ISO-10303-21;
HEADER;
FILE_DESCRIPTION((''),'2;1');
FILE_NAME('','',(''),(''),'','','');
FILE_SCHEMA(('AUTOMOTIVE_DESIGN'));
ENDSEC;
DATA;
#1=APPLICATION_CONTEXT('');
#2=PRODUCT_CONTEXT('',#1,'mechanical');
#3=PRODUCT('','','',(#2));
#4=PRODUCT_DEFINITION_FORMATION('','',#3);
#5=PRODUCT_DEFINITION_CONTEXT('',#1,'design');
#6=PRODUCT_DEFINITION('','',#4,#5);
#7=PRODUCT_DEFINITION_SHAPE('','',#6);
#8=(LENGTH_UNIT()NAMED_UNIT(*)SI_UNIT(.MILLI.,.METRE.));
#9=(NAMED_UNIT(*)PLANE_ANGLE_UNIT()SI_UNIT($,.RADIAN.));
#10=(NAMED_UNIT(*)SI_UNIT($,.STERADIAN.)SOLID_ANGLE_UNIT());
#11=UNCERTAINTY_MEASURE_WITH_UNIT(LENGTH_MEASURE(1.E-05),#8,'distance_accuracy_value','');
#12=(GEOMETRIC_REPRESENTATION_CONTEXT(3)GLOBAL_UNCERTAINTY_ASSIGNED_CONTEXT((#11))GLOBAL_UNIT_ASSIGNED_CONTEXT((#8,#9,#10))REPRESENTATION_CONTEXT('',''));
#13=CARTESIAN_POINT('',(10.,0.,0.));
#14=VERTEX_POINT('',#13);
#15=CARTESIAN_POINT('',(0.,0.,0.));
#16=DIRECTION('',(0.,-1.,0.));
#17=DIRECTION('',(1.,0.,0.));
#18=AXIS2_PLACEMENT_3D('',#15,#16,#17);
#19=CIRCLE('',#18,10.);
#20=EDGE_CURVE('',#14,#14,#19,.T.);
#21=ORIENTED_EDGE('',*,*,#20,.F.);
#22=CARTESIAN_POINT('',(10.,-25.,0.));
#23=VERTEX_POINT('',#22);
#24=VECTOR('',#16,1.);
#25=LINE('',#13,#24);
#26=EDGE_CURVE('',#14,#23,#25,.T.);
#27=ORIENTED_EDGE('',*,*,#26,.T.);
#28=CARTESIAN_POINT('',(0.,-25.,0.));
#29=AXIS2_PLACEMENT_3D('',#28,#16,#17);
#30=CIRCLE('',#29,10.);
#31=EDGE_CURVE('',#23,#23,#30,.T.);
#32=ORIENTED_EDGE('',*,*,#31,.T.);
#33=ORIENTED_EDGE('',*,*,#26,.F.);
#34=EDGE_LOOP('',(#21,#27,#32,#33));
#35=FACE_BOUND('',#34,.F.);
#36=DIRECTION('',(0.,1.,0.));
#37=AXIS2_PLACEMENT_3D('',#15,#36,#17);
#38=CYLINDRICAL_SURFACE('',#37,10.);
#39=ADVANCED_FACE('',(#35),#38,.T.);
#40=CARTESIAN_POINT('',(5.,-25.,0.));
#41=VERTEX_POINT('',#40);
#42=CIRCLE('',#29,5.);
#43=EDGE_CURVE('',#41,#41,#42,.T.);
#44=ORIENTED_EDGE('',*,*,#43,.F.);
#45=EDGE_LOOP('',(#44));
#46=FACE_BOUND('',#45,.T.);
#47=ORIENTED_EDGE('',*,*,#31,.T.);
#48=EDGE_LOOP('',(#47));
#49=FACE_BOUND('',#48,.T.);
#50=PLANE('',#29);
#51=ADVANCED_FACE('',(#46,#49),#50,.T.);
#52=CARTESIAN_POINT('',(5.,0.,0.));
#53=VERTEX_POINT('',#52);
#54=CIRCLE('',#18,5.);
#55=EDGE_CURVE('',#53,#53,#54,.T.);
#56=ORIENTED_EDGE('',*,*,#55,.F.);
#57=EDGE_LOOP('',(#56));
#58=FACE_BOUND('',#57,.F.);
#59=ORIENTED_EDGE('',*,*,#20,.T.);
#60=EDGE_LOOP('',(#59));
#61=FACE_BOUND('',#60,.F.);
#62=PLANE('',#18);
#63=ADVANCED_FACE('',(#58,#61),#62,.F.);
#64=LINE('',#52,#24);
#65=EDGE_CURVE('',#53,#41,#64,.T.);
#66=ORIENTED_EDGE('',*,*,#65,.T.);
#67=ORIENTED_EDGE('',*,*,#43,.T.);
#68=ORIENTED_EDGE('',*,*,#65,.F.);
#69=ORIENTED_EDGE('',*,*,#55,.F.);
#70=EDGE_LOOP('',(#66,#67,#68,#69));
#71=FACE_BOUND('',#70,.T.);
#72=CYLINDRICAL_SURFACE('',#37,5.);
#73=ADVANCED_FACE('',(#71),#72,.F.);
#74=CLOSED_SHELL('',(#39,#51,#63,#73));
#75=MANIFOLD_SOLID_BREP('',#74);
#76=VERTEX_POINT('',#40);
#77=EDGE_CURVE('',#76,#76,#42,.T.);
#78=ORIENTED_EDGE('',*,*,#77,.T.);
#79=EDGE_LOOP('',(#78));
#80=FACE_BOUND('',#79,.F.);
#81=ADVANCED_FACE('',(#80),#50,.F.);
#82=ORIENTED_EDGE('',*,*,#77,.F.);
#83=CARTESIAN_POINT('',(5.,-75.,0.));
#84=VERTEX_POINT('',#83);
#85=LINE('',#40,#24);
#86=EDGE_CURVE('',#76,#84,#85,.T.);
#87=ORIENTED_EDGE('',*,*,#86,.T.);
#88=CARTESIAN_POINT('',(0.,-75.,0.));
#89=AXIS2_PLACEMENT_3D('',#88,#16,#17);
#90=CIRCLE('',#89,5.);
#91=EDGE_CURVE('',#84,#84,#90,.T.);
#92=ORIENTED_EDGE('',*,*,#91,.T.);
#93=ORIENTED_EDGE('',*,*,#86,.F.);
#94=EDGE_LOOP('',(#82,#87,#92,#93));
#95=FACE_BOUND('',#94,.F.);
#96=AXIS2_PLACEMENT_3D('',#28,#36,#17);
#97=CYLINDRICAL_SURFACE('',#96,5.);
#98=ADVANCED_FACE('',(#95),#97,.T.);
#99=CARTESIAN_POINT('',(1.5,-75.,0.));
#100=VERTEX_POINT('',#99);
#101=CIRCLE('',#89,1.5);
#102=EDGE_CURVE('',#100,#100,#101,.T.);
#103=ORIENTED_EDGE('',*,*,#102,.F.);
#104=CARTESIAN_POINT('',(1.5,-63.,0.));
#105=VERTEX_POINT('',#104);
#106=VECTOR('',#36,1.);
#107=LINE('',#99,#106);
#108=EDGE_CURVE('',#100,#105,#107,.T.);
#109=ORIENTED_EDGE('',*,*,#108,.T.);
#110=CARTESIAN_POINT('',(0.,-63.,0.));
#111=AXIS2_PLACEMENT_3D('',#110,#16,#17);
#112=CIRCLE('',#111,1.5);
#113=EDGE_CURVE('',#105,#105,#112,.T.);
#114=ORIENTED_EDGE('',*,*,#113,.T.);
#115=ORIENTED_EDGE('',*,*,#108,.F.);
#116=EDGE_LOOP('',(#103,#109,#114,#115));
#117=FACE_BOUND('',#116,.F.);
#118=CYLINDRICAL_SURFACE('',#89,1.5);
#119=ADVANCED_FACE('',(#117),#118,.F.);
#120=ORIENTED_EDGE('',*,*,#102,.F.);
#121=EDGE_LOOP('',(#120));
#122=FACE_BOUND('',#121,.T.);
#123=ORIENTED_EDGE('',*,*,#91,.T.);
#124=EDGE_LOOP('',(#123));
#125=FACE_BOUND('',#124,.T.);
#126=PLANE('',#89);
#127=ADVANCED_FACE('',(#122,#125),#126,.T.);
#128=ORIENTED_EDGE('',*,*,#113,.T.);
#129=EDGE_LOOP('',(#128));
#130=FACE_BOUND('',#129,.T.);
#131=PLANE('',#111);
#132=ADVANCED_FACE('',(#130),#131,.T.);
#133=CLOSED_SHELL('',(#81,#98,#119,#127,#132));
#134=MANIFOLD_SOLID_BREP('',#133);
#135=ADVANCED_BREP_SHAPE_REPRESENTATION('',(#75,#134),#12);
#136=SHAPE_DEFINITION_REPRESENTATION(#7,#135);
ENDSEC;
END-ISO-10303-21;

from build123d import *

# Parameters (mm, degrees)
F0_R     = 10
F0_R_2   = 5
F1_DEPTH = 25
F2_R     = 5
F3_DEPTH = 50
F4_R     = 1.5
F5_DEPTH = 12


with BuildPart() as f1:
    # F0 (on Front) → F1 (new body)
    with BuildSketch(Plane.XZ):
        Circle(F0_R)
        Circle(F0_R_2, mode=Mode.SUBTRACT)
    extrude(amount=F1_DEPTH)


with BuildPart() as f3:
    # F2 (on face) → F3 (new body)
    with BuildSketch(Plane.XZ.offset(25)):
        Circle(F2_R)
    extrude(amount=F3_DEPTH)

    # F4 (on face) → F5 (cut)
    with BuildSketch(Plane.XZ.offset(75)):
        Circle(F4_R)
    extrude(amount=-F5_DEPTH, mode=Mode.SUBTRACT)


solid = Compound([f1.part, f3.part])
